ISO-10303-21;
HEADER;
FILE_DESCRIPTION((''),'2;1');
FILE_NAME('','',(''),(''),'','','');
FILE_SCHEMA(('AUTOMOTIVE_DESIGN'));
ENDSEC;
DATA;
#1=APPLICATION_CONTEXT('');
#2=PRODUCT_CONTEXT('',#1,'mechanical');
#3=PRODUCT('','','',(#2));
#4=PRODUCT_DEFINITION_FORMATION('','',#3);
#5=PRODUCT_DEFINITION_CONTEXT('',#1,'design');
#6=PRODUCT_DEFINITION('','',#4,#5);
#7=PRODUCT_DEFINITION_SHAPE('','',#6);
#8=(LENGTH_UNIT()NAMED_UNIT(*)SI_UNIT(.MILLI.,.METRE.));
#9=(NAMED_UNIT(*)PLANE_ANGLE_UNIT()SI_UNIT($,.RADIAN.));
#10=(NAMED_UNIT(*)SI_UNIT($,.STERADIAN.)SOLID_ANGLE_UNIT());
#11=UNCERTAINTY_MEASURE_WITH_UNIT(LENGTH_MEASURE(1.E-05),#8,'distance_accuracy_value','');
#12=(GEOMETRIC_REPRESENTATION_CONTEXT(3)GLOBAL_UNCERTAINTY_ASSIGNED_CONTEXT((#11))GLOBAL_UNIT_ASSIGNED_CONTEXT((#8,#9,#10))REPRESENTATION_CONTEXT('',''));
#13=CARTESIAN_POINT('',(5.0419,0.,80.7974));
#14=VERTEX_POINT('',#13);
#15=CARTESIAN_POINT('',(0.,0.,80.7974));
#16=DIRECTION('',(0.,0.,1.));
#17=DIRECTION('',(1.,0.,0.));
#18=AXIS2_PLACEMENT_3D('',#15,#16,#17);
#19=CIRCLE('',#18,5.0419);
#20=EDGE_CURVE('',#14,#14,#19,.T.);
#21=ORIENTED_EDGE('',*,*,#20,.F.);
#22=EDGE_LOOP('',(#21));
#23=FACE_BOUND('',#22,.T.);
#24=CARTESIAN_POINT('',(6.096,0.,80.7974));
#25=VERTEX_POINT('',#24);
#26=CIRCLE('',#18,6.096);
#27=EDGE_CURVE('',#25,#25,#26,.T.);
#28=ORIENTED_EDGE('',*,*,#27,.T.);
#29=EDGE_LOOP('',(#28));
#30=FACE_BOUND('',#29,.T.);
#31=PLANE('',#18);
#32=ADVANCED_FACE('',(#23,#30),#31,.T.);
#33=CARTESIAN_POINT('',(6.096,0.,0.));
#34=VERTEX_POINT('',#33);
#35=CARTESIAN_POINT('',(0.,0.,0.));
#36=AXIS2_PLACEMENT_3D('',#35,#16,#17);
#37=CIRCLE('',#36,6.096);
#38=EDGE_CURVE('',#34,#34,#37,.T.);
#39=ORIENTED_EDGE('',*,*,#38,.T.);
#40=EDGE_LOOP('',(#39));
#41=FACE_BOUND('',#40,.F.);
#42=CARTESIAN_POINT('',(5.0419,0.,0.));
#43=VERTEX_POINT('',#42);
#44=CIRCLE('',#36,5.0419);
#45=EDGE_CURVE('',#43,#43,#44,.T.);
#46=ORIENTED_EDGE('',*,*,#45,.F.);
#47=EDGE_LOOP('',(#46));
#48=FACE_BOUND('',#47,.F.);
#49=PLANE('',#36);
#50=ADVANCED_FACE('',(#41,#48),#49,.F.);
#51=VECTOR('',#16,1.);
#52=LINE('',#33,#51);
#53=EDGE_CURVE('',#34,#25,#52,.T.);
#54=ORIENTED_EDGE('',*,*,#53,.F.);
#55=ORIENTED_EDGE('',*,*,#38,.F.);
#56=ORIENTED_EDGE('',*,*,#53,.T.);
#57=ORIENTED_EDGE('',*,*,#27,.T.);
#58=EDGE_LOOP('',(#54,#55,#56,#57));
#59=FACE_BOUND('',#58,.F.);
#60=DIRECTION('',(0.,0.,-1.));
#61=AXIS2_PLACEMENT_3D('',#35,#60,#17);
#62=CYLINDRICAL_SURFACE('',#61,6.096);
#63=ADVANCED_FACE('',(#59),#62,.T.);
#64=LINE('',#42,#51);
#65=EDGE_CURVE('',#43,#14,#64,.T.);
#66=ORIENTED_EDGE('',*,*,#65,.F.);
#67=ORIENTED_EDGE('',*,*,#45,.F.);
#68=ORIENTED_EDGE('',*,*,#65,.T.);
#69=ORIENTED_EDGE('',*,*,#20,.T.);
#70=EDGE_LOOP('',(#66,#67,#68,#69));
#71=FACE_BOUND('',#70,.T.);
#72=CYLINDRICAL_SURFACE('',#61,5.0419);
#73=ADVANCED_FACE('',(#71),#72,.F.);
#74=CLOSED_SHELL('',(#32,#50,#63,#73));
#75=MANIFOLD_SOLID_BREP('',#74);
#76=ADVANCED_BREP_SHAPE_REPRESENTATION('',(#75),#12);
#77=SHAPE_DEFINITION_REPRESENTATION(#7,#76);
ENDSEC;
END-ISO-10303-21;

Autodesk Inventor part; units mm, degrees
ref_plane "YZ Plane" through (0, 0, 0) normal (1, 0, 0) x (0, 1, 0)
ref_plane "XZ Plane" through (0, 0, 0) normal (0, 1, 0) x (-1, 0, 0)
ref_plane "XY Plane" through (0, 0, 0) normal (0, 0, 1) x (1, 0, 0)
sketch "Sketch1" plane through (0, 0, 0) normal (0, 0, 1) x (1, 0, 0)
  circle A0 centre (0, 0) radius 6.096
  circle A1 centre (0, 0) radius 5.0419
  dimension "d0" = 10.0838
  dimension "d1" = 12.192
extrude "Extrusion1" add sketch "Sketch1" along normal blind 80.7974
properties part number "Bushing 1764"
